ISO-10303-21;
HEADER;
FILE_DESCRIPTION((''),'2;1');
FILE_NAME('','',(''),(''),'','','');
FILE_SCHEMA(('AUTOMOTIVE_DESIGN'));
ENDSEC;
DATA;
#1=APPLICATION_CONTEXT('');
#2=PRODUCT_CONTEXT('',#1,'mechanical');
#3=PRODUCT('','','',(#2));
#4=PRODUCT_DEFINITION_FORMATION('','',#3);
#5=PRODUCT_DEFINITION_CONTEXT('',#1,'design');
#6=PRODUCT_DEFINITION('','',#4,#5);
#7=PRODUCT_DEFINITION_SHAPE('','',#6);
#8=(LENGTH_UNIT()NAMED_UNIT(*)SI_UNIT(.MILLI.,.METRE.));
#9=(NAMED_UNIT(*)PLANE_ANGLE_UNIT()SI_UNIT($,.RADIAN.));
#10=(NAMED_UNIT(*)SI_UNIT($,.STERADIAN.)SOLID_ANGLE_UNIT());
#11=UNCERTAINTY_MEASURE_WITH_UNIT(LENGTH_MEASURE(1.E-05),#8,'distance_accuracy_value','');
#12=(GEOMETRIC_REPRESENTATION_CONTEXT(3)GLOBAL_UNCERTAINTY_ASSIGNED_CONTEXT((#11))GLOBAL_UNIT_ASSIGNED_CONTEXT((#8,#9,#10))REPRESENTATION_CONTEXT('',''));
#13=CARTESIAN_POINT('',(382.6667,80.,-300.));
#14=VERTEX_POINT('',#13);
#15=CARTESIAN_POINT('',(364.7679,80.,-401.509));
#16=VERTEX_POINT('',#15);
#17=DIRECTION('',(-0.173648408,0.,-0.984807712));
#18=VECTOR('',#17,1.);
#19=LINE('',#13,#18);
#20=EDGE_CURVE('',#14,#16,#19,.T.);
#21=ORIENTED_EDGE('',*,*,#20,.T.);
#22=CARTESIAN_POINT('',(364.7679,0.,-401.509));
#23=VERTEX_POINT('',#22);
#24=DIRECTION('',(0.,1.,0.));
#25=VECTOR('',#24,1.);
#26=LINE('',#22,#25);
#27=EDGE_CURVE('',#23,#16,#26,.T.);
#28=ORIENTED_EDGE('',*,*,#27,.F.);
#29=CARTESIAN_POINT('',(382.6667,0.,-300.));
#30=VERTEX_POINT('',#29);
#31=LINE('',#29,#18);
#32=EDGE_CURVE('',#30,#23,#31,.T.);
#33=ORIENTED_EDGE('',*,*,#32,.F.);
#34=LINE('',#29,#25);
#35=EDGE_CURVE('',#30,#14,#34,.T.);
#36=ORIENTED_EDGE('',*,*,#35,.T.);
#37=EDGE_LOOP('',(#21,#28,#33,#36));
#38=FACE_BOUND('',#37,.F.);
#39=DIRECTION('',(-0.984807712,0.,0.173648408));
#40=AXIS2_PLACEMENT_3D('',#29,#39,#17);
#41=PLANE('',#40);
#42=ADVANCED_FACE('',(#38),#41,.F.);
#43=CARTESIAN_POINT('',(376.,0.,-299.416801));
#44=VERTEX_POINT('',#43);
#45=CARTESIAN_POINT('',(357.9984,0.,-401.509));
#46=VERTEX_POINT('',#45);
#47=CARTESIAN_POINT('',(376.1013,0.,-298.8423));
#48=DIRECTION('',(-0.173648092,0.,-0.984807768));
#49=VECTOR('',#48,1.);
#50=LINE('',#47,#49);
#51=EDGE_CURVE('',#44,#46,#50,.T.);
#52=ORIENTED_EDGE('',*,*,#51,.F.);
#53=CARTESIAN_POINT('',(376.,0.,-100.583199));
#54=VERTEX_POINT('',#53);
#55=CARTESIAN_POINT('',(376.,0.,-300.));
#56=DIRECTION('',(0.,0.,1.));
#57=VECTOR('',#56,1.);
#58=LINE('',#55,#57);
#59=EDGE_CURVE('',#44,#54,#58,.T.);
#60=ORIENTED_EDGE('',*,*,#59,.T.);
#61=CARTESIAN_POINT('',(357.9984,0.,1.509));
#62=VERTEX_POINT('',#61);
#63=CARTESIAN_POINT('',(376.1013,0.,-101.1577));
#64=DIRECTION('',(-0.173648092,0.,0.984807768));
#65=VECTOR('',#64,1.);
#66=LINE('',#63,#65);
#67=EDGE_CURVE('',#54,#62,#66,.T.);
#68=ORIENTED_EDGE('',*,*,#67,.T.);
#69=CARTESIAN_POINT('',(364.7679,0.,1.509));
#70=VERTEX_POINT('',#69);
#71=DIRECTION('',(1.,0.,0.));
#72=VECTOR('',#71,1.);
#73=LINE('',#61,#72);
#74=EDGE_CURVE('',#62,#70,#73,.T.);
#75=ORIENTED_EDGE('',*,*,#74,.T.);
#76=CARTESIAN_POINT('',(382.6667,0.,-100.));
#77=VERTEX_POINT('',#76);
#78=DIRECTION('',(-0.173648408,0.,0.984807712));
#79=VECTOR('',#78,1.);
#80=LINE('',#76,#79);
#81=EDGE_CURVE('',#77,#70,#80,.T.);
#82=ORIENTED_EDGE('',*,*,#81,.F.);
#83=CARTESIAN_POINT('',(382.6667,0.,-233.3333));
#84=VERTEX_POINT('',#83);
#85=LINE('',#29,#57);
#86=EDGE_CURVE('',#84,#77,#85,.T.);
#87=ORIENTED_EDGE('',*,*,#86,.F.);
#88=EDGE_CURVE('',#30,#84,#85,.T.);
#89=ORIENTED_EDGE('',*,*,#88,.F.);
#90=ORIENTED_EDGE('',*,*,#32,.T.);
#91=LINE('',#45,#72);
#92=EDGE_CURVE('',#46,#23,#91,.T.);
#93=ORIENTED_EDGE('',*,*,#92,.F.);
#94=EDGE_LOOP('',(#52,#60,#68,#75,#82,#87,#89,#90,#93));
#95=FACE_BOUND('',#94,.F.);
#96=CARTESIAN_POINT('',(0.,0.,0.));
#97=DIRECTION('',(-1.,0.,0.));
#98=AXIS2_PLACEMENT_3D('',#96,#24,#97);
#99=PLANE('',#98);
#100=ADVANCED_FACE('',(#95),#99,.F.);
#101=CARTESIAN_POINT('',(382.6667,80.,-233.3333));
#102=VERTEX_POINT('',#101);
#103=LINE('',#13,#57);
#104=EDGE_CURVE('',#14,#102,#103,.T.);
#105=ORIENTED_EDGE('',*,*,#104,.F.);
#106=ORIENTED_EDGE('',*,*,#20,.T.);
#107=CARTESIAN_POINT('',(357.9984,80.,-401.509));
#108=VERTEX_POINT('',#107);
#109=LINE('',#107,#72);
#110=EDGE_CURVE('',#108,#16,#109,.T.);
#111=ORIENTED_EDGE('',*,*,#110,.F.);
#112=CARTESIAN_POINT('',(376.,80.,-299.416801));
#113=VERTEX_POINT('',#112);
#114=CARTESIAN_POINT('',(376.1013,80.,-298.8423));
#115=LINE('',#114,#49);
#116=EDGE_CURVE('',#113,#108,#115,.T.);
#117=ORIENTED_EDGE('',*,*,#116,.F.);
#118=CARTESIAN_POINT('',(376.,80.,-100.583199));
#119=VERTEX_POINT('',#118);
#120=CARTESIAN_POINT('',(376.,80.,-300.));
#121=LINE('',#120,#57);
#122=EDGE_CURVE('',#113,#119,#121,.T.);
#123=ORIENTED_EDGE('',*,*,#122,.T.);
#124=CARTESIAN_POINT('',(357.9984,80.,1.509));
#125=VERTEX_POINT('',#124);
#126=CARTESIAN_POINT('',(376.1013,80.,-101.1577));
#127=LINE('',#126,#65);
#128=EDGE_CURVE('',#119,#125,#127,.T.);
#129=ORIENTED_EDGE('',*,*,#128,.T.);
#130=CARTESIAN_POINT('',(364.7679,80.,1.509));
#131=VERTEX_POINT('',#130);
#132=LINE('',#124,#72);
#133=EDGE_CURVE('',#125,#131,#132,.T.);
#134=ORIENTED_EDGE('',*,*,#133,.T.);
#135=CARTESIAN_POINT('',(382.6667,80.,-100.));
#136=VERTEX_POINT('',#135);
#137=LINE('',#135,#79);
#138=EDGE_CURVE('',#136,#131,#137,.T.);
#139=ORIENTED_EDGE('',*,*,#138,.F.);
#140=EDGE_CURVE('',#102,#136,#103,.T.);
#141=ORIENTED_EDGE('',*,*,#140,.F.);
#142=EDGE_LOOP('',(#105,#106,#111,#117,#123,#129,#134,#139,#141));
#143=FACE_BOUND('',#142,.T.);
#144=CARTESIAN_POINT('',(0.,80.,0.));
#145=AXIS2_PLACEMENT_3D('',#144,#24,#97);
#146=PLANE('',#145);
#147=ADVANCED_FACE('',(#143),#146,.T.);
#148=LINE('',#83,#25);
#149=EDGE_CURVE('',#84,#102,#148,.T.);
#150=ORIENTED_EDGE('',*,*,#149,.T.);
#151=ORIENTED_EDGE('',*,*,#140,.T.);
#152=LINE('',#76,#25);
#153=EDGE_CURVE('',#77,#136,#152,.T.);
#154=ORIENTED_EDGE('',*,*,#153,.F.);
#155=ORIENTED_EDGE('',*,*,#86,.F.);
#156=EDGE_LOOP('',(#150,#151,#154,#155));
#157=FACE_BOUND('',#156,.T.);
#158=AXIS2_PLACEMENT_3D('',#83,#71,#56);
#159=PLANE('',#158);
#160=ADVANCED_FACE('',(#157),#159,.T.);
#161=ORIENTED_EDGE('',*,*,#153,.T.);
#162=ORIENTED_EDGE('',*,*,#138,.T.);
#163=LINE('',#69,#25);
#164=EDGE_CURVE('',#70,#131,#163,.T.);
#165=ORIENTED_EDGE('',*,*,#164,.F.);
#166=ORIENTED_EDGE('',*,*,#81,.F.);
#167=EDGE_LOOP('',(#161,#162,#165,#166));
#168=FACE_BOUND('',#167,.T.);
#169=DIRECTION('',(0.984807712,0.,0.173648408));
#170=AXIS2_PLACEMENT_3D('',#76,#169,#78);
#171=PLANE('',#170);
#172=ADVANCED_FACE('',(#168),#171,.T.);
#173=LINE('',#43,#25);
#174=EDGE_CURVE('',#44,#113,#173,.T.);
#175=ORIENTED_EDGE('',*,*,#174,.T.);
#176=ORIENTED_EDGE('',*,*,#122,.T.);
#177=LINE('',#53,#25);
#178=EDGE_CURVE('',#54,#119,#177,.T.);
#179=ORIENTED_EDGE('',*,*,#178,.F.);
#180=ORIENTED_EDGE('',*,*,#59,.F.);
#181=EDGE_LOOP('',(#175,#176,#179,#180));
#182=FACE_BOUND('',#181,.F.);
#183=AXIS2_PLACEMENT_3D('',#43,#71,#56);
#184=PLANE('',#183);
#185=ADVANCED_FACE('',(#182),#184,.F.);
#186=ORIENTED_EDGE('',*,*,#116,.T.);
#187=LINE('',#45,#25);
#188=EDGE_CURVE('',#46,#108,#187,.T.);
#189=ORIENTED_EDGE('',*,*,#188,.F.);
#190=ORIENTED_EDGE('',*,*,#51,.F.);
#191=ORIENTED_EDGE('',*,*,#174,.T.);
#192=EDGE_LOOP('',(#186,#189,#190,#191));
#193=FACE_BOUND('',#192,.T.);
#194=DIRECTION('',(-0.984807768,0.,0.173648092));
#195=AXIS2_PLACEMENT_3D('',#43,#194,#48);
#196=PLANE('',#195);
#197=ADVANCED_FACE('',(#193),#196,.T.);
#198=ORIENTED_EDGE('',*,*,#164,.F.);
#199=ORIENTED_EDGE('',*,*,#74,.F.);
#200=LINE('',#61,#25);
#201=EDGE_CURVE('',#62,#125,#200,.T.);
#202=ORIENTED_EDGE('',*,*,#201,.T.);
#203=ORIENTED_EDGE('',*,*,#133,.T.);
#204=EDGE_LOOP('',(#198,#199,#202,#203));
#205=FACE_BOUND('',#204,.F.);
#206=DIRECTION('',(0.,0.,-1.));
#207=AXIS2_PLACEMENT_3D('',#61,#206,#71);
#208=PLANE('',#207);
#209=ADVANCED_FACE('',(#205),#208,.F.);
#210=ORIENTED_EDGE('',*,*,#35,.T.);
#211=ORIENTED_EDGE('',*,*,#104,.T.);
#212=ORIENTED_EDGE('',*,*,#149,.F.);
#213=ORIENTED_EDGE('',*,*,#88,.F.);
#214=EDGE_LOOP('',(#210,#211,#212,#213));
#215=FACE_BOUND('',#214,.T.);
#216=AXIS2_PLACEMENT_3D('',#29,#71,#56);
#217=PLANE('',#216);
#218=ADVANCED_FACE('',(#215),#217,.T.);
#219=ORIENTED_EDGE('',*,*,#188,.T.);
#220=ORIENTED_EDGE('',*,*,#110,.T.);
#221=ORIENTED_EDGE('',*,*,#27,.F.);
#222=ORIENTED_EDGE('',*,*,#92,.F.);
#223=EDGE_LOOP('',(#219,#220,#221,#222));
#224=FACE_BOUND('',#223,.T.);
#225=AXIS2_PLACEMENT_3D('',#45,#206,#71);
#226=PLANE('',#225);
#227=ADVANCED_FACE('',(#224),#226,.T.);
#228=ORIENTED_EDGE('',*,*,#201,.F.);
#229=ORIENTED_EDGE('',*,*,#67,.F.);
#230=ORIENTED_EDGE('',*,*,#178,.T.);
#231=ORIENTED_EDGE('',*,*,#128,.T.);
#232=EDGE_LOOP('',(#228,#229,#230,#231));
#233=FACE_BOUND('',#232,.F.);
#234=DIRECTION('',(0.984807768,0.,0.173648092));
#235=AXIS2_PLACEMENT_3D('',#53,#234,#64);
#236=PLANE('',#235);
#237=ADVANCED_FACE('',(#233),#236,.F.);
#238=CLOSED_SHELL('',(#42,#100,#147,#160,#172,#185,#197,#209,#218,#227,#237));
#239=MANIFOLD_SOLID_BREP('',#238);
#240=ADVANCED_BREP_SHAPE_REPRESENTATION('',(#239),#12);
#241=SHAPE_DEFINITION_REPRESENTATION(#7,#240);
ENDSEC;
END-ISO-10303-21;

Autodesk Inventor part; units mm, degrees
ref_plane "YZ Plane" through (0, 0, 0) normal (1, 0, 0) x (0, 1, 0)
ref_plane "XZ Plane" through (0, 0, 0) normal (0, 1, 0) x (-1, 0, 0)
ref_plane "XY Plane" through (0, 0, 0) normal (0, 0, 1) x (1, 0, 0)
sketch "Boceto1" plane through (0, 0, 0) normal (0, 1, 0) x (-1, 0, 0)
  line L0 (-382.6667, -300) -> (-382.6667, -100)
  line L1 (-382.6667, -300) -> (-382.6667, -233.3333)
  line L2 (-382.6667, -233.3333) -> (-382.6667, -300)
  line L3 (-382.6667, -300) -> (-364.7679, -401.509)
  line L4 (-382.6667, -300) -> (-382.6667, -100)
  line L5 (-382.6667, -100) -> (-364.7679, 1.509)
  line L6 (-376, -300) -> (-376, -100)
  line L7 (-376.1013, -298.8423) -> (-357.9984, -401.509)
  line L8 (-376.1013, -101.1577) -> (-357.9984, 1.509)
  line L9 (-357.9984, 1.509) -> (-364.7679, 1.509)
  line L10 (-357.9984, -401.509) -> (-364.7679, -401.509)
  point P0 (0, 0)
  point P1 (-376, -299.4167)
  point P2 (-376, -100.5833)
  dimension "d14" = 200
extrude "Extrusión1" add sketch "Boceto1" along normal blind 80
properties part number "guia"
